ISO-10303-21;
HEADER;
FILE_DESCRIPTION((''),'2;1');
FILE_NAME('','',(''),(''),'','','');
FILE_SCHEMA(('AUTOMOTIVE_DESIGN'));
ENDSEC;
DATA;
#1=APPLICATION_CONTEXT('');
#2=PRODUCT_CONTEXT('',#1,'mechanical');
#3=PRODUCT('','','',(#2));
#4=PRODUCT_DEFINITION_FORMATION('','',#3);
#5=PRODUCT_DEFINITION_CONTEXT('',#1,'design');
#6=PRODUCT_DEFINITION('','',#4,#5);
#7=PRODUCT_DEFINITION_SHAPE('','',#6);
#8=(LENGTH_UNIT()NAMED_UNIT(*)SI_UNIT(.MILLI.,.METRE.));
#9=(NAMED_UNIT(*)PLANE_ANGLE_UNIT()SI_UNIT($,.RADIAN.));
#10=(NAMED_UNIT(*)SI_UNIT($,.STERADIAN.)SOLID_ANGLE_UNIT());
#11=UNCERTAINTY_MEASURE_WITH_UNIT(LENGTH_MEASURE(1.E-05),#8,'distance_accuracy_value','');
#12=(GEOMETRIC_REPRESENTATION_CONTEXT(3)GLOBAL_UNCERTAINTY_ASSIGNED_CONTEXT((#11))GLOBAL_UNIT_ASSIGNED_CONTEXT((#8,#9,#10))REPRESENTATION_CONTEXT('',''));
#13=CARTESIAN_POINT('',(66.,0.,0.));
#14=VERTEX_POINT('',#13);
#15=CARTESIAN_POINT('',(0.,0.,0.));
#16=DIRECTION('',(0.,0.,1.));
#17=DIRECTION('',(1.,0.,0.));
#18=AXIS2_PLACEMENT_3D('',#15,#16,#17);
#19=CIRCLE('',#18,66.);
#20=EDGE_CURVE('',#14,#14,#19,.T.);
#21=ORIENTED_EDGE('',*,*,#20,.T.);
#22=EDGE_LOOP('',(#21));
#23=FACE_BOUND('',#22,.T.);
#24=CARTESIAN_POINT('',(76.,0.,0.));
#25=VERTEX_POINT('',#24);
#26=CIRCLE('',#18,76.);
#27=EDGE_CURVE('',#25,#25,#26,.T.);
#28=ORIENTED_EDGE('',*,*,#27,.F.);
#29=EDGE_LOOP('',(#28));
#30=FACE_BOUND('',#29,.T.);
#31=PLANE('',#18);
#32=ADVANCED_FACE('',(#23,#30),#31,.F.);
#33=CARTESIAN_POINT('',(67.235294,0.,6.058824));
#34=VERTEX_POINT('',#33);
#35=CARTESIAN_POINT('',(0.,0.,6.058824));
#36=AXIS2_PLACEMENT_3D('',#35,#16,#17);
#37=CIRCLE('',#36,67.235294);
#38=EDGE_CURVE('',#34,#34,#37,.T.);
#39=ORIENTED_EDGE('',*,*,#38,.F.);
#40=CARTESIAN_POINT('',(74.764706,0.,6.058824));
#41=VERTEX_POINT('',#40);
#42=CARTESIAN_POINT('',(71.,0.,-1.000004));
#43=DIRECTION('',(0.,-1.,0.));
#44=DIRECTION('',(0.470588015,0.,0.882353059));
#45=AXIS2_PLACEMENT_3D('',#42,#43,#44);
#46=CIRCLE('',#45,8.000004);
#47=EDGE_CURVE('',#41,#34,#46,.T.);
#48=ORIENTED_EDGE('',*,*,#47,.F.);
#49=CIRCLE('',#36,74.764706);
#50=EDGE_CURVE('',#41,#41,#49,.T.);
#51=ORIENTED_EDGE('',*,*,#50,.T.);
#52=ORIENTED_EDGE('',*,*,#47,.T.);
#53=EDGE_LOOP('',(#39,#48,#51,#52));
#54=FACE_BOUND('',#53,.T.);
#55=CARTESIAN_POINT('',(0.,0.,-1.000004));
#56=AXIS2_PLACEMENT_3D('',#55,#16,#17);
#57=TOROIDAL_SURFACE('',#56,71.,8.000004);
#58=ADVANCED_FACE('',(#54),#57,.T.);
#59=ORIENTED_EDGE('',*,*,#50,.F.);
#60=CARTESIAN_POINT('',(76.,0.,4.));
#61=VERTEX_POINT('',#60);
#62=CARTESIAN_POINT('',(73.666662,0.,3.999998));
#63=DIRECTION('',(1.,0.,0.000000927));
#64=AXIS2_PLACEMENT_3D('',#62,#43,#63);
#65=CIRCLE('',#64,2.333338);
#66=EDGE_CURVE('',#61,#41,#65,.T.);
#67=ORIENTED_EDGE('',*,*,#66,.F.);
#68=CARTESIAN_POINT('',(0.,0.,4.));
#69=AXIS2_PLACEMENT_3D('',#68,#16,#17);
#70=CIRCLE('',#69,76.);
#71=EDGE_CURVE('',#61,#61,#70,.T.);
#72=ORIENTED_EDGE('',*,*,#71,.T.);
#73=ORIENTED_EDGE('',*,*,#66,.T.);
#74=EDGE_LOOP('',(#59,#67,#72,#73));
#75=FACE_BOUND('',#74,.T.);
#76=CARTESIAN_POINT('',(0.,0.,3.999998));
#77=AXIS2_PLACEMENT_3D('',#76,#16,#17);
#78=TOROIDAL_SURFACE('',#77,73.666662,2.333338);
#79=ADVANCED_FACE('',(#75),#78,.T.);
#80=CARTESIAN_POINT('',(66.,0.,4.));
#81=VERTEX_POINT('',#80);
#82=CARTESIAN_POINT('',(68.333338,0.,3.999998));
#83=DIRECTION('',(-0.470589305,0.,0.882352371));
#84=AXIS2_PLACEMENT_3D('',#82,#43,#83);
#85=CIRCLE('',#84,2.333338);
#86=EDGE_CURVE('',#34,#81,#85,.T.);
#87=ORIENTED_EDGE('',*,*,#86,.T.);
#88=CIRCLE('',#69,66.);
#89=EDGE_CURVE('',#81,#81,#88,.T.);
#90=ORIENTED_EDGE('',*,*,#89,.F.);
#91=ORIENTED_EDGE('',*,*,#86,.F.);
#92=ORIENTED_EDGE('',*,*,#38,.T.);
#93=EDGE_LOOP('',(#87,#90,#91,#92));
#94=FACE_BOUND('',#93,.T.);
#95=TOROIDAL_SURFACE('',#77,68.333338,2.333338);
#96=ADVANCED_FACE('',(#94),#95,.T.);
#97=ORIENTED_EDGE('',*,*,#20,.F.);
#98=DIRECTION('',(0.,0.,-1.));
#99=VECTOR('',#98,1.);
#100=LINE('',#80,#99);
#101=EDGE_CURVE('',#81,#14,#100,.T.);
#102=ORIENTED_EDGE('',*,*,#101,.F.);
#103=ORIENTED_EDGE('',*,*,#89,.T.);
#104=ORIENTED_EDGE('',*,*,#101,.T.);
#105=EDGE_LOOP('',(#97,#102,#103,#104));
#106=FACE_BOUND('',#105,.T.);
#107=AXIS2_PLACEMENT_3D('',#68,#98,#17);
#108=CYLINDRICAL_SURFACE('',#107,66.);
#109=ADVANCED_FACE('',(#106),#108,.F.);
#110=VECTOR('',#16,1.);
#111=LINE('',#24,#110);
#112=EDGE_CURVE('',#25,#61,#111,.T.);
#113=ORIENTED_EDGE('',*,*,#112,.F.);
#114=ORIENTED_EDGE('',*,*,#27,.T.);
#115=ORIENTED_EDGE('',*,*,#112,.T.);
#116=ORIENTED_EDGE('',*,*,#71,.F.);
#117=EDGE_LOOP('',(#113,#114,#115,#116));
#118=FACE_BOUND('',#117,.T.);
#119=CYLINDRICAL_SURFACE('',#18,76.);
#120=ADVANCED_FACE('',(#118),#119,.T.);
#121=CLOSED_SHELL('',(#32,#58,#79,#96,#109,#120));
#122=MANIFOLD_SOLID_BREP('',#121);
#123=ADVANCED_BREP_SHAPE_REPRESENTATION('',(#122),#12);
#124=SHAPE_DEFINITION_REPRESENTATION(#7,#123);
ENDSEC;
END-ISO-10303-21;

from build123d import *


with BuildPart() as part:
    # Sketch → Revolution (revolve)
    with BuildSketch(Plane.XZ):
        with BuildLine():
            Line((66, 0), (76, 0))
            Line((76, 0), (76, 4))
            ThreePointArc((76, 4), (75.667483, 5.20049), (74.764706, 6.058824))
            ThreePointArc((74.764706, 6.058824), (71, 7), (67.235294, 6.058824))
            ThreePointArc((67.235294, 6.058824), (66.332517, 5.20049), (66, 4))
            Line((66, 4), (66, 0))
        make_face()
    revolve(axis=Axis((0, 0, 0), (0, 0, 1)))


solid = part.part
